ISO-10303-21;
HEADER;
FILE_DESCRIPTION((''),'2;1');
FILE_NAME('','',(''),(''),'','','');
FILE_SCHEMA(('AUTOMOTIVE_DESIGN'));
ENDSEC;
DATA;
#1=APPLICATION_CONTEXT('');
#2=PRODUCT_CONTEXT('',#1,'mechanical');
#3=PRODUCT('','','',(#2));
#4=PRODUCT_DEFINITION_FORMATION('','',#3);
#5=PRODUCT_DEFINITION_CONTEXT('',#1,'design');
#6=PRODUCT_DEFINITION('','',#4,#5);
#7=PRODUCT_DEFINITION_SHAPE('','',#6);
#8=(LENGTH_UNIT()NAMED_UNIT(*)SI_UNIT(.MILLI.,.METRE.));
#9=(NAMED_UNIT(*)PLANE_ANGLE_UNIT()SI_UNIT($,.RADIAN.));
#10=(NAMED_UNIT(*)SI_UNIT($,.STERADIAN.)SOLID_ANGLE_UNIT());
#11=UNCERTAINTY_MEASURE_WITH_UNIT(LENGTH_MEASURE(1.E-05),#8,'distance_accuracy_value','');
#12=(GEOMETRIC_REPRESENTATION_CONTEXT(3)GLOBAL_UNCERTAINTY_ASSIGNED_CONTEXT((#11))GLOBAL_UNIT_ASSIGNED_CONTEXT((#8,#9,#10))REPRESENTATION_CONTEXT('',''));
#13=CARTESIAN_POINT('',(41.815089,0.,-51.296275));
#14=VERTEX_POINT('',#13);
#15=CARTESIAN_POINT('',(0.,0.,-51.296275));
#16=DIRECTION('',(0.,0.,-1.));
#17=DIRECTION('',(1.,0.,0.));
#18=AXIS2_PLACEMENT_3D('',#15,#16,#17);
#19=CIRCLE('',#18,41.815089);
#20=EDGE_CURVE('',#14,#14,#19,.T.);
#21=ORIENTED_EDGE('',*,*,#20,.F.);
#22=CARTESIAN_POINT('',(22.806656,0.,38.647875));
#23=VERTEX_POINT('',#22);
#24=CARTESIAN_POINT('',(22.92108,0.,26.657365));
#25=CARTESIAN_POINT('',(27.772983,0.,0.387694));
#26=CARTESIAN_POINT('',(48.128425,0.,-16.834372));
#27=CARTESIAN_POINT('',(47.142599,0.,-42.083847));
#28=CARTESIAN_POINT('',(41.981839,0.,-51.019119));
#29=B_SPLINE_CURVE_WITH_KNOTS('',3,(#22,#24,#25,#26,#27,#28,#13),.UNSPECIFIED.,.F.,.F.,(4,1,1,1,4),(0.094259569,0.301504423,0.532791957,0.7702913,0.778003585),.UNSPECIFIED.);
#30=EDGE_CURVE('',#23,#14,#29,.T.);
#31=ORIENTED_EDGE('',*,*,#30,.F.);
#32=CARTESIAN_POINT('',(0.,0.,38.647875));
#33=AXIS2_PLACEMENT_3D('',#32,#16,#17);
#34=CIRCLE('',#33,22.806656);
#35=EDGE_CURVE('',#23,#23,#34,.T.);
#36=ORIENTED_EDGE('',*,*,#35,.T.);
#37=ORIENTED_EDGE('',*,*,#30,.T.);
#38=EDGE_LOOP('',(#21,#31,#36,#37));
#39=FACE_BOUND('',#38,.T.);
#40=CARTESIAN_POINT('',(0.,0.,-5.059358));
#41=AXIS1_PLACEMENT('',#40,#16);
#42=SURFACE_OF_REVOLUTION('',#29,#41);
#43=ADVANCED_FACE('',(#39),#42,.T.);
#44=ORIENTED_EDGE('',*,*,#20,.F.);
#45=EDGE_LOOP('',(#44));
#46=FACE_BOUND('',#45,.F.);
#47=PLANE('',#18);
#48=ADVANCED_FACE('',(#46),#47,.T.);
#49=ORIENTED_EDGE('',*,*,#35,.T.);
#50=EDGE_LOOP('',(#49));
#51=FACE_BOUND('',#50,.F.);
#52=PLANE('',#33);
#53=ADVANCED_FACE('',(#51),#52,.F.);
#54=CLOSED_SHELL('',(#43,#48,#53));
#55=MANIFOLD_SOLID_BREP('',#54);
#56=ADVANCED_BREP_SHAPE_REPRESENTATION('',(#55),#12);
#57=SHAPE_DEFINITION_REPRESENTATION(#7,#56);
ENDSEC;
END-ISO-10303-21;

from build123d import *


with BuildPart() as f1:
    # F0 (on Front) → F1 (revolve)
    with BuildSketch(Plane.XZ):
        with BuildLine():
            add(Edge.make_bspline(
                [(22.8066555786, 38.6478751898), (22.9210801557, 26.6573645815), (27.772983018, 0.3876935229), (48.1284253803, -16.8343716137), (47.1425985725, -42.0838465422), (41.9818388733, -51.0191190163), (41.8150890637, -51.2962751091)],
                knots=[0.0942595692, 0.0942595692, 0.0942595692, 0.0942595692, 0.3015044232, 0.5327919573, 0.7702913003, 0.7780035851, 0.7780035851, 0.7780035851, 0.7780035851], degree=3))
            Line((22.8066555786, 38.6478751898), (0, 38.6478751898))
            Line((0, 38.6478751898), (0, -51.2962751091))
            Line((0, -51.2962751091), (41.8150890637, -51.2962751091))
        make_face()
    revolve(axis=Axis((0, 0, -5.0593577325), (0, 0, -1)))


solid = f1.part
